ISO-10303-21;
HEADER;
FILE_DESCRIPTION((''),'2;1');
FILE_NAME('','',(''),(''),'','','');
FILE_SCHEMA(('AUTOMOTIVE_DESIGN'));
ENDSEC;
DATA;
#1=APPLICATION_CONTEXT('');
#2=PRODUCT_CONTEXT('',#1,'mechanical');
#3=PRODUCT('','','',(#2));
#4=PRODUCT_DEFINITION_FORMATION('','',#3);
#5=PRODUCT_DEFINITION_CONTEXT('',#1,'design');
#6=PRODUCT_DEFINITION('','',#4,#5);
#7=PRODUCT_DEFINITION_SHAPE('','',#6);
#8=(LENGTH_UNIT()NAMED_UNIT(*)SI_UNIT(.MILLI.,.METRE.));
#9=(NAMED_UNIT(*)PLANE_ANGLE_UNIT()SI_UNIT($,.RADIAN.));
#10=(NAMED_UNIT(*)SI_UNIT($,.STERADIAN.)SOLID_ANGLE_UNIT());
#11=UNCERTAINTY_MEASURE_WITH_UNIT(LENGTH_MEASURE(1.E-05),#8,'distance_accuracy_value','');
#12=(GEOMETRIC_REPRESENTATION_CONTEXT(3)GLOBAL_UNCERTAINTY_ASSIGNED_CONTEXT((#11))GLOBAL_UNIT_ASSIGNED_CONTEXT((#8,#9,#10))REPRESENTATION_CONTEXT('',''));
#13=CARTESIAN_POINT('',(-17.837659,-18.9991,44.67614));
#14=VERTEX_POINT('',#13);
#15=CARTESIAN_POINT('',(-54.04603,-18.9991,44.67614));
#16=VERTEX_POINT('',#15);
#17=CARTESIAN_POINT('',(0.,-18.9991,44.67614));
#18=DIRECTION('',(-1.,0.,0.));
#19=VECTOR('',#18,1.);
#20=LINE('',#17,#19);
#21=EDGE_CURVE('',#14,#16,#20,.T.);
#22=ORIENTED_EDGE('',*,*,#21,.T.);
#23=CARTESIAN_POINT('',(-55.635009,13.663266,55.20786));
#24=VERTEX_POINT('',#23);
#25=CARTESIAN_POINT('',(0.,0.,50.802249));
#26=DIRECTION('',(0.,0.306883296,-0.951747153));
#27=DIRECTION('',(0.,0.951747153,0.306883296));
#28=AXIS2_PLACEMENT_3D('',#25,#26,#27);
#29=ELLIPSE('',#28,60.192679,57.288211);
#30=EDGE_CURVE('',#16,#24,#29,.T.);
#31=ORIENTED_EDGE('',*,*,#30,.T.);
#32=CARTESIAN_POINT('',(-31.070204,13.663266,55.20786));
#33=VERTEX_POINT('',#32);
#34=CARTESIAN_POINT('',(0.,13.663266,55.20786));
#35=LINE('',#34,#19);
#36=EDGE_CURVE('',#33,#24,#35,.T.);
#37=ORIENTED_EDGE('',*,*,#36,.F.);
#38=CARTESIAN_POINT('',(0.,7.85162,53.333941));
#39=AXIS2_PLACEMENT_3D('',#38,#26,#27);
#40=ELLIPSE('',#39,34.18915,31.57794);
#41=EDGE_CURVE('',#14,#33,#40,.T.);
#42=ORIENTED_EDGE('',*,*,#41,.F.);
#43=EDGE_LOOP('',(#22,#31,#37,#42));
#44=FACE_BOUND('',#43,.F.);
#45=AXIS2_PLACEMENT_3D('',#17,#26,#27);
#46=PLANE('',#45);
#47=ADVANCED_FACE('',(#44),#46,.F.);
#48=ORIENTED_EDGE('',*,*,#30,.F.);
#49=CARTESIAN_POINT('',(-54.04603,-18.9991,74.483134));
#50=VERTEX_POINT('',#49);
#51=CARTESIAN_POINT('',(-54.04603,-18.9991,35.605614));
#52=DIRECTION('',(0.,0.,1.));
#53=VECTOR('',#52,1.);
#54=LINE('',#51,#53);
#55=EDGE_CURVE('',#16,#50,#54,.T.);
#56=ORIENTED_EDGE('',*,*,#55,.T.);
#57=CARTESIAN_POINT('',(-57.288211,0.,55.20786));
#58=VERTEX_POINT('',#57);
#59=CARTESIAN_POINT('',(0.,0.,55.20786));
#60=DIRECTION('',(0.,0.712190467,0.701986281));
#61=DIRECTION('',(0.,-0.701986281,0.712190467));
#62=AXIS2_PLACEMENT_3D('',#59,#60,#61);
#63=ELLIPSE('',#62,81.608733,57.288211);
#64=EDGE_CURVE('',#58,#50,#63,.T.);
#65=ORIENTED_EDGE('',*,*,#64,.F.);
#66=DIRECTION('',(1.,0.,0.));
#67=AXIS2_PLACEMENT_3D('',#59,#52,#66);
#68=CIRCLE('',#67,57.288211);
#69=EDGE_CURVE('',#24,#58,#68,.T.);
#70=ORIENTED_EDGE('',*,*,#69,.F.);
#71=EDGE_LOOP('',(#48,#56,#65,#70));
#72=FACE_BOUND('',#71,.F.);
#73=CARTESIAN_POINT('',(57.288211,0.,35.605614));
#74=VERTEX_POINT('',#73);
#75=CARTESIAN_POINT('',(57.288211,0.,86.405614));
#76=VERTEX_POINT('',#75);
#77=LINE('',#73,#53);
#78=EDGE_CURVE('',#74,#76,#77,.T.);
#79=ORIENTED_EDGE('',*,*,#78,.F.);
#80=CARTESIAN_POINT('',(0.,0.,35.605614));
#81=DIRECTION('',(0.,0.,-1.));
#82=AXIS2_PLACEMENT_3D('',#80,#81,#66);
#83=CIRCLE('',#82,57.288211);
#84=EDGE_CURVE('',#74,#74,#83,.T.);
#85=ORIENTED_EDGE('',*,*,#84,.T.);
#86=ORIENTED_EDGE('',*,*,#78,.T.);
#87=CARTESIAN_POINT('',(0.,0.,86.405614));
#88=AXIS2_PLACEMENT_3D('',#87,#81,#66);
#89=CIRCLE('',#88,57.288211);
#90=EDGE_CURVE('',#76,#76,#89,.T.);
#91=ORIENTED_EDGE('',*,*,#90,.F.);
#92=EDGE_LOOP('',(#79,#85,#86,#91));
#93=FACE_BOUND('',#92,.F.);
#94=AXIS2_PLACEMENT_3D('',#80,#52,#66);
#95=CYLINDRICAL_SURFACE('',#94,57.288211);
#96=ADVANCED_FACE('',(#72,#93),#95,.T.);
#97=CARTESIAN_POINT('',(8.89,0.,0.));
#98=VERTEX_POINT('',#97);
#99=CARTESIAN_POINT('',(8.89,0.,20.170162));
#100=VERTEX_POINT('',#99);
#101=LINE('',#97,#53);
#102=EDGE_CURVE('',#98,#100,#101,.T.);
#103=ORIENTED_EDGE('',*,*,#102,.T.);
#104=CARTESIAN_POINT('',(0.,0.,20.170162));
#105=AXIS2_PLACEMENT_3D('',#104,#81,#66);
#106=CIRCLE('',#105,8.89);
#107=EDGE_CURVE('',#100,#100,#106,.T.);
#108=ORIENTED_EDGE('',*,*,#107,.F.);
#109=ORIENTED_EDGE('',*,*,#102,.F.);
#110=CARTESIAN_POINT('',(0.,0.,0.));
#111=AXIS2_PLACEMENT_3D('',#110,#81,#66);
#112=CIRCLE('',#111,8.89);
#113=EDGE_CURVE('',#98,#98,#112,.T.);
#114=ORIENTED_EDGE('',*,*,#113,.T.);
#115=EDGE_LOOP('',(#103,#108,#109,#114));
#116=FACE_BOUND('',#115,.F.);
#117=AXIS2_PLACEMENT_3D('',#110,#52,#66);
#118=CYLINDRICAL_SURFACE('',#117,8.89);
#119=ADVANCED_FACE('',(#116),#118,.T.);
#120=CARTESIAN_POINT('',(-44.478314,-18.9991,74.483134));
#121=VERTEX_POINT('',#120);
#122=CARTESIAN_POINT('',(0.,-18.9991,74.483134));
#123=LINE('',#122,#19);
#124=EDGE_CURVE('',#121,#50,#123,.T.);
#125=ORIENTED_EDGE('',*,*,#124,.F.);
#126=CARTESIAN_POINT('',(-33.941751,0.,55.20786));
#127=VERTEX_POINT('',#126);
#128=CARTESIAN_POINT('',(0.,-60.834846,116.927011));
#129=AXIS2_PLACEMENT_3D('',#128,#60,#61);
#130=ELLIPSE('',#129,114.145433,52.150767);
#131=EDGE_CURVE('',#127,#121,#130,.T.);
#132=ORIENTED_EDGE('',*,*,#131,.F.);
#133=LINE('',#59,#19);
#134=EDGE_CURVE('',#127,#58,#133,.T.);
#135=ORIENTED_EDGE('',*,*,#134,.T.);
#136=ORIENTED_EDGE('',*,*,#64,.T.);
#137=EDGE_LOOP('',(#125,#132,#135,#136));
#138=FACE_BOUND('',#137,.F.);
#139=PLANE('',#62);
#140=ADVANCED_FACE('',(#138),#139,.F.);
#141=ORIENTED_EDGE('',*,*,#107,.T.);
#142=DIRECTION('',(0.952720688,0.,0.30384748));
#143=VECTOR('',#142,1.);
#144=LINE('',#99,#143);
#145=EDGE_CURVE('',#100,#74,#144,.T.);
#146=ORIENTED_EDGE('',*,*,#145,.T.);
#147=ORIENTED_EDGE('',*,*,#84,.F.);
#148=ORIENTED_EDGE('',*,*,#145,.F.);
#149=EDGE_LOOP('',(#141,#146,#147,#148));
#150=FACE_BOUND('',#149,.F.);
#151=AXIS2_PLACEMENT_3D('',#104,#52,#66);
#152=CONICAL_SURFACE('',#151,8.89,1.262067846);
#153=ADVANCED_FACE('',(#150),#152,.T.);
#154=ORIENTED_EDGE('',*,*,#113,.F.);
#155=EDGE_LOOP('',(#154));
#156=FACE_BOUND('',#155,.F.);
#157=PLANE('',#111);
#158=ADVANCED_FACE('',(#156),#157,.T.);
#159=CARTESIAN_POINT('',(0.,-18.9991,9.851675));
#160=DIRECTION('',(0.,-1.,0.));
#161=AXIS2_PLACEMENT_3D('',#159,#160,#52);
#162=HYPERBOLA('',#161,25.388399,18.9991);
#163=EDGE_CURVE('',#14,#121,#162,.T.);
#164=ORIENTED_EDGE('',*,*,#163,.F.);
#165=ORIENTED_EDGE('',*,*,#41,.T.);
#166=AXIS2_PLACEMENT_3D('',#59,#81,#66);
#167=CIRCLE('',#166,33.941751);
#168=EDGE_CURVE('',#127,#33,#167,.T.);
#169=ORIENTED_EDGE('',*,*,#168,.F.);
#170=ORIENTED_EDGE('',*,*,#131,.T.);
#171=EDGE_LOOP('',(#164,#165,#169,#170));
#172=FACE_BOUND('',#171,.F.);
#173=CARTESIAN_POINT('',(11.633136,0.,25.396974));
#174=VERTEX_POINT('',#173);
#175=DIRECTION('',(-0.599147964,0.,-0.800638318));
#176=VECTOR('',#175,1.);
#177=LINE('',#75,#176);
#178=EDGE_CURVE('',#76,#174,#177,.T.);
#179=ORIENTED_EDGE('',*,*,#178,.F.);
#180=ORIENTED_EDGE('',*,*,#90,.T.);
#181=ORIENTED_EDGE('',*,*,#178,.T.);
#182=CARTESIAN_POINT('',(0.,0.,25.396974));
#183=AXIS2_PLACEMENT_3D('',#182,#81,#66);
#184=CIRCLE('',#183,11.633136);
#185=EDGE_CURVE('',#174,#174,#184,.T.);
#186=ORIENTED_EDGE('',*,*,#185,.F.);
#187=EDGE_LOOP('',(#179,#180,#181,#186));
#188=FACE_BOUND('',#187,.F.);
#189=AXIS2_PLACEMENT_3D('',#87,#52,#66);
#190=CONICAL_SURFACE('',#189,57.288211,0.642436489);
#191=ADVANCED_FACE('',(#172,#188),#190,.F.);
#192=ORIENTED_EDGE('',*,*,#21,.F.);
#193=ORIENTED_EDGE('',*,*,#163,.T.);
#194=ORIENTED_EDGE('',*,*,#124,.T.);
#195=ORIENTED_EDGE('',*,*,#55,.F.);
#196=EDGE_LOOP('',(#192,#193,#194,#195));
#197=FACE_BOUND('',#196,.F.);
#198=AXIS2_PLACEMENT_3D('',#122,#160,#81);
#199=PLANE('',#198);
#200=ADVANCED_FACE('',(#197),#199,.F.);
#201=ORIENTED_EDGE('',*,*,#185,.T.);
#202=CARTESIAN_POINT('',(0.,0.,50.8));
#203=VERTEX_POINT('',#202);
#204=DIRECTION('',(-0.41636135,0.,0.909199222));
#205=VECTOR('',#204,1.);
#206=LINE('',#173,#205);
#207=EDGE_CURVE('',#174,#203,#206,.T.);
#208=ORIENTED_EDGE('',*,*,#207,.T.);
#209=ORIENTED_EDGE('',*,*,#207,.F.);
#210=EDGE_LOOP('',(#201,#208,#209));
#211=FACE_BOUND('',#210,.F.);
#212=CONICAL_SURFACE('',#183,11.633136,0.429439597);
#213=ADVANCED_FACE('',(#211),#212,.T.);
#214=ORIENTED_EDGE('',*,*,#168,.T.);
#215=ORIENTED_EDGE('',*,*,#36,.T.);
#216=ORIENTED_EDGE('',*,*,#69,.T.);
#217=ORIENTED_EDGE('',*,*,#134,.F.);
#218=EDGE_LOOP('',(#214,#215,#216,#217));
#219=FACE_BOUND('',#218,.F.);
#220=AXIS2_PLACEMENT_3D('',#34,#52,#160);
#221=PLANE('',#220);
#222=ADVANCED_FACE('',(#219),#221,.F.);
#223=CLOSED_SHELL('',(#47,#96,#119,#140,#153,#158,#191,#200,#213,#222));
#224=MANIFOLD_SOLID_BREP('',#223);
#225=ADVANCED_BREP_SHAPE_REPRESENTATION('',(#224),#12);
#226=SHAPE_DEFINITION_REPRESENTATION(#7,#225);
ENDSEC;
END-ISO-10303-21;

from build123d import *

# Parameters (mm, degrees)
F3_DEPTH = 160.02


with BuildPart() as f1:
    # F0 (on Front) → F1 (revolve)
    with BuildSketch(Plane.XZ):
        Polygon((11.633136, 25.396974), (0, 50.8), (0, 0), (8.89, 0), (8.89, 20.170162), (57.288211, 35.605614), (57.288211, 86.405614), align=None)
    revolve(axis=Axis((0, 0, 25.4), (0, 0, -1)))

    # F2 (on Right) → F3 (cut)
    with BuildSketch(Plane.YZ):
        Polygon((0, 55.20786), (-18.9991, 74.483134), (-18.9991, 44.67614), (13.663266, 55.20786), align=None)
    extrude(amount=-F3_DEPTH, mode=Mode.SUBTRACT)


solid = f1.part
